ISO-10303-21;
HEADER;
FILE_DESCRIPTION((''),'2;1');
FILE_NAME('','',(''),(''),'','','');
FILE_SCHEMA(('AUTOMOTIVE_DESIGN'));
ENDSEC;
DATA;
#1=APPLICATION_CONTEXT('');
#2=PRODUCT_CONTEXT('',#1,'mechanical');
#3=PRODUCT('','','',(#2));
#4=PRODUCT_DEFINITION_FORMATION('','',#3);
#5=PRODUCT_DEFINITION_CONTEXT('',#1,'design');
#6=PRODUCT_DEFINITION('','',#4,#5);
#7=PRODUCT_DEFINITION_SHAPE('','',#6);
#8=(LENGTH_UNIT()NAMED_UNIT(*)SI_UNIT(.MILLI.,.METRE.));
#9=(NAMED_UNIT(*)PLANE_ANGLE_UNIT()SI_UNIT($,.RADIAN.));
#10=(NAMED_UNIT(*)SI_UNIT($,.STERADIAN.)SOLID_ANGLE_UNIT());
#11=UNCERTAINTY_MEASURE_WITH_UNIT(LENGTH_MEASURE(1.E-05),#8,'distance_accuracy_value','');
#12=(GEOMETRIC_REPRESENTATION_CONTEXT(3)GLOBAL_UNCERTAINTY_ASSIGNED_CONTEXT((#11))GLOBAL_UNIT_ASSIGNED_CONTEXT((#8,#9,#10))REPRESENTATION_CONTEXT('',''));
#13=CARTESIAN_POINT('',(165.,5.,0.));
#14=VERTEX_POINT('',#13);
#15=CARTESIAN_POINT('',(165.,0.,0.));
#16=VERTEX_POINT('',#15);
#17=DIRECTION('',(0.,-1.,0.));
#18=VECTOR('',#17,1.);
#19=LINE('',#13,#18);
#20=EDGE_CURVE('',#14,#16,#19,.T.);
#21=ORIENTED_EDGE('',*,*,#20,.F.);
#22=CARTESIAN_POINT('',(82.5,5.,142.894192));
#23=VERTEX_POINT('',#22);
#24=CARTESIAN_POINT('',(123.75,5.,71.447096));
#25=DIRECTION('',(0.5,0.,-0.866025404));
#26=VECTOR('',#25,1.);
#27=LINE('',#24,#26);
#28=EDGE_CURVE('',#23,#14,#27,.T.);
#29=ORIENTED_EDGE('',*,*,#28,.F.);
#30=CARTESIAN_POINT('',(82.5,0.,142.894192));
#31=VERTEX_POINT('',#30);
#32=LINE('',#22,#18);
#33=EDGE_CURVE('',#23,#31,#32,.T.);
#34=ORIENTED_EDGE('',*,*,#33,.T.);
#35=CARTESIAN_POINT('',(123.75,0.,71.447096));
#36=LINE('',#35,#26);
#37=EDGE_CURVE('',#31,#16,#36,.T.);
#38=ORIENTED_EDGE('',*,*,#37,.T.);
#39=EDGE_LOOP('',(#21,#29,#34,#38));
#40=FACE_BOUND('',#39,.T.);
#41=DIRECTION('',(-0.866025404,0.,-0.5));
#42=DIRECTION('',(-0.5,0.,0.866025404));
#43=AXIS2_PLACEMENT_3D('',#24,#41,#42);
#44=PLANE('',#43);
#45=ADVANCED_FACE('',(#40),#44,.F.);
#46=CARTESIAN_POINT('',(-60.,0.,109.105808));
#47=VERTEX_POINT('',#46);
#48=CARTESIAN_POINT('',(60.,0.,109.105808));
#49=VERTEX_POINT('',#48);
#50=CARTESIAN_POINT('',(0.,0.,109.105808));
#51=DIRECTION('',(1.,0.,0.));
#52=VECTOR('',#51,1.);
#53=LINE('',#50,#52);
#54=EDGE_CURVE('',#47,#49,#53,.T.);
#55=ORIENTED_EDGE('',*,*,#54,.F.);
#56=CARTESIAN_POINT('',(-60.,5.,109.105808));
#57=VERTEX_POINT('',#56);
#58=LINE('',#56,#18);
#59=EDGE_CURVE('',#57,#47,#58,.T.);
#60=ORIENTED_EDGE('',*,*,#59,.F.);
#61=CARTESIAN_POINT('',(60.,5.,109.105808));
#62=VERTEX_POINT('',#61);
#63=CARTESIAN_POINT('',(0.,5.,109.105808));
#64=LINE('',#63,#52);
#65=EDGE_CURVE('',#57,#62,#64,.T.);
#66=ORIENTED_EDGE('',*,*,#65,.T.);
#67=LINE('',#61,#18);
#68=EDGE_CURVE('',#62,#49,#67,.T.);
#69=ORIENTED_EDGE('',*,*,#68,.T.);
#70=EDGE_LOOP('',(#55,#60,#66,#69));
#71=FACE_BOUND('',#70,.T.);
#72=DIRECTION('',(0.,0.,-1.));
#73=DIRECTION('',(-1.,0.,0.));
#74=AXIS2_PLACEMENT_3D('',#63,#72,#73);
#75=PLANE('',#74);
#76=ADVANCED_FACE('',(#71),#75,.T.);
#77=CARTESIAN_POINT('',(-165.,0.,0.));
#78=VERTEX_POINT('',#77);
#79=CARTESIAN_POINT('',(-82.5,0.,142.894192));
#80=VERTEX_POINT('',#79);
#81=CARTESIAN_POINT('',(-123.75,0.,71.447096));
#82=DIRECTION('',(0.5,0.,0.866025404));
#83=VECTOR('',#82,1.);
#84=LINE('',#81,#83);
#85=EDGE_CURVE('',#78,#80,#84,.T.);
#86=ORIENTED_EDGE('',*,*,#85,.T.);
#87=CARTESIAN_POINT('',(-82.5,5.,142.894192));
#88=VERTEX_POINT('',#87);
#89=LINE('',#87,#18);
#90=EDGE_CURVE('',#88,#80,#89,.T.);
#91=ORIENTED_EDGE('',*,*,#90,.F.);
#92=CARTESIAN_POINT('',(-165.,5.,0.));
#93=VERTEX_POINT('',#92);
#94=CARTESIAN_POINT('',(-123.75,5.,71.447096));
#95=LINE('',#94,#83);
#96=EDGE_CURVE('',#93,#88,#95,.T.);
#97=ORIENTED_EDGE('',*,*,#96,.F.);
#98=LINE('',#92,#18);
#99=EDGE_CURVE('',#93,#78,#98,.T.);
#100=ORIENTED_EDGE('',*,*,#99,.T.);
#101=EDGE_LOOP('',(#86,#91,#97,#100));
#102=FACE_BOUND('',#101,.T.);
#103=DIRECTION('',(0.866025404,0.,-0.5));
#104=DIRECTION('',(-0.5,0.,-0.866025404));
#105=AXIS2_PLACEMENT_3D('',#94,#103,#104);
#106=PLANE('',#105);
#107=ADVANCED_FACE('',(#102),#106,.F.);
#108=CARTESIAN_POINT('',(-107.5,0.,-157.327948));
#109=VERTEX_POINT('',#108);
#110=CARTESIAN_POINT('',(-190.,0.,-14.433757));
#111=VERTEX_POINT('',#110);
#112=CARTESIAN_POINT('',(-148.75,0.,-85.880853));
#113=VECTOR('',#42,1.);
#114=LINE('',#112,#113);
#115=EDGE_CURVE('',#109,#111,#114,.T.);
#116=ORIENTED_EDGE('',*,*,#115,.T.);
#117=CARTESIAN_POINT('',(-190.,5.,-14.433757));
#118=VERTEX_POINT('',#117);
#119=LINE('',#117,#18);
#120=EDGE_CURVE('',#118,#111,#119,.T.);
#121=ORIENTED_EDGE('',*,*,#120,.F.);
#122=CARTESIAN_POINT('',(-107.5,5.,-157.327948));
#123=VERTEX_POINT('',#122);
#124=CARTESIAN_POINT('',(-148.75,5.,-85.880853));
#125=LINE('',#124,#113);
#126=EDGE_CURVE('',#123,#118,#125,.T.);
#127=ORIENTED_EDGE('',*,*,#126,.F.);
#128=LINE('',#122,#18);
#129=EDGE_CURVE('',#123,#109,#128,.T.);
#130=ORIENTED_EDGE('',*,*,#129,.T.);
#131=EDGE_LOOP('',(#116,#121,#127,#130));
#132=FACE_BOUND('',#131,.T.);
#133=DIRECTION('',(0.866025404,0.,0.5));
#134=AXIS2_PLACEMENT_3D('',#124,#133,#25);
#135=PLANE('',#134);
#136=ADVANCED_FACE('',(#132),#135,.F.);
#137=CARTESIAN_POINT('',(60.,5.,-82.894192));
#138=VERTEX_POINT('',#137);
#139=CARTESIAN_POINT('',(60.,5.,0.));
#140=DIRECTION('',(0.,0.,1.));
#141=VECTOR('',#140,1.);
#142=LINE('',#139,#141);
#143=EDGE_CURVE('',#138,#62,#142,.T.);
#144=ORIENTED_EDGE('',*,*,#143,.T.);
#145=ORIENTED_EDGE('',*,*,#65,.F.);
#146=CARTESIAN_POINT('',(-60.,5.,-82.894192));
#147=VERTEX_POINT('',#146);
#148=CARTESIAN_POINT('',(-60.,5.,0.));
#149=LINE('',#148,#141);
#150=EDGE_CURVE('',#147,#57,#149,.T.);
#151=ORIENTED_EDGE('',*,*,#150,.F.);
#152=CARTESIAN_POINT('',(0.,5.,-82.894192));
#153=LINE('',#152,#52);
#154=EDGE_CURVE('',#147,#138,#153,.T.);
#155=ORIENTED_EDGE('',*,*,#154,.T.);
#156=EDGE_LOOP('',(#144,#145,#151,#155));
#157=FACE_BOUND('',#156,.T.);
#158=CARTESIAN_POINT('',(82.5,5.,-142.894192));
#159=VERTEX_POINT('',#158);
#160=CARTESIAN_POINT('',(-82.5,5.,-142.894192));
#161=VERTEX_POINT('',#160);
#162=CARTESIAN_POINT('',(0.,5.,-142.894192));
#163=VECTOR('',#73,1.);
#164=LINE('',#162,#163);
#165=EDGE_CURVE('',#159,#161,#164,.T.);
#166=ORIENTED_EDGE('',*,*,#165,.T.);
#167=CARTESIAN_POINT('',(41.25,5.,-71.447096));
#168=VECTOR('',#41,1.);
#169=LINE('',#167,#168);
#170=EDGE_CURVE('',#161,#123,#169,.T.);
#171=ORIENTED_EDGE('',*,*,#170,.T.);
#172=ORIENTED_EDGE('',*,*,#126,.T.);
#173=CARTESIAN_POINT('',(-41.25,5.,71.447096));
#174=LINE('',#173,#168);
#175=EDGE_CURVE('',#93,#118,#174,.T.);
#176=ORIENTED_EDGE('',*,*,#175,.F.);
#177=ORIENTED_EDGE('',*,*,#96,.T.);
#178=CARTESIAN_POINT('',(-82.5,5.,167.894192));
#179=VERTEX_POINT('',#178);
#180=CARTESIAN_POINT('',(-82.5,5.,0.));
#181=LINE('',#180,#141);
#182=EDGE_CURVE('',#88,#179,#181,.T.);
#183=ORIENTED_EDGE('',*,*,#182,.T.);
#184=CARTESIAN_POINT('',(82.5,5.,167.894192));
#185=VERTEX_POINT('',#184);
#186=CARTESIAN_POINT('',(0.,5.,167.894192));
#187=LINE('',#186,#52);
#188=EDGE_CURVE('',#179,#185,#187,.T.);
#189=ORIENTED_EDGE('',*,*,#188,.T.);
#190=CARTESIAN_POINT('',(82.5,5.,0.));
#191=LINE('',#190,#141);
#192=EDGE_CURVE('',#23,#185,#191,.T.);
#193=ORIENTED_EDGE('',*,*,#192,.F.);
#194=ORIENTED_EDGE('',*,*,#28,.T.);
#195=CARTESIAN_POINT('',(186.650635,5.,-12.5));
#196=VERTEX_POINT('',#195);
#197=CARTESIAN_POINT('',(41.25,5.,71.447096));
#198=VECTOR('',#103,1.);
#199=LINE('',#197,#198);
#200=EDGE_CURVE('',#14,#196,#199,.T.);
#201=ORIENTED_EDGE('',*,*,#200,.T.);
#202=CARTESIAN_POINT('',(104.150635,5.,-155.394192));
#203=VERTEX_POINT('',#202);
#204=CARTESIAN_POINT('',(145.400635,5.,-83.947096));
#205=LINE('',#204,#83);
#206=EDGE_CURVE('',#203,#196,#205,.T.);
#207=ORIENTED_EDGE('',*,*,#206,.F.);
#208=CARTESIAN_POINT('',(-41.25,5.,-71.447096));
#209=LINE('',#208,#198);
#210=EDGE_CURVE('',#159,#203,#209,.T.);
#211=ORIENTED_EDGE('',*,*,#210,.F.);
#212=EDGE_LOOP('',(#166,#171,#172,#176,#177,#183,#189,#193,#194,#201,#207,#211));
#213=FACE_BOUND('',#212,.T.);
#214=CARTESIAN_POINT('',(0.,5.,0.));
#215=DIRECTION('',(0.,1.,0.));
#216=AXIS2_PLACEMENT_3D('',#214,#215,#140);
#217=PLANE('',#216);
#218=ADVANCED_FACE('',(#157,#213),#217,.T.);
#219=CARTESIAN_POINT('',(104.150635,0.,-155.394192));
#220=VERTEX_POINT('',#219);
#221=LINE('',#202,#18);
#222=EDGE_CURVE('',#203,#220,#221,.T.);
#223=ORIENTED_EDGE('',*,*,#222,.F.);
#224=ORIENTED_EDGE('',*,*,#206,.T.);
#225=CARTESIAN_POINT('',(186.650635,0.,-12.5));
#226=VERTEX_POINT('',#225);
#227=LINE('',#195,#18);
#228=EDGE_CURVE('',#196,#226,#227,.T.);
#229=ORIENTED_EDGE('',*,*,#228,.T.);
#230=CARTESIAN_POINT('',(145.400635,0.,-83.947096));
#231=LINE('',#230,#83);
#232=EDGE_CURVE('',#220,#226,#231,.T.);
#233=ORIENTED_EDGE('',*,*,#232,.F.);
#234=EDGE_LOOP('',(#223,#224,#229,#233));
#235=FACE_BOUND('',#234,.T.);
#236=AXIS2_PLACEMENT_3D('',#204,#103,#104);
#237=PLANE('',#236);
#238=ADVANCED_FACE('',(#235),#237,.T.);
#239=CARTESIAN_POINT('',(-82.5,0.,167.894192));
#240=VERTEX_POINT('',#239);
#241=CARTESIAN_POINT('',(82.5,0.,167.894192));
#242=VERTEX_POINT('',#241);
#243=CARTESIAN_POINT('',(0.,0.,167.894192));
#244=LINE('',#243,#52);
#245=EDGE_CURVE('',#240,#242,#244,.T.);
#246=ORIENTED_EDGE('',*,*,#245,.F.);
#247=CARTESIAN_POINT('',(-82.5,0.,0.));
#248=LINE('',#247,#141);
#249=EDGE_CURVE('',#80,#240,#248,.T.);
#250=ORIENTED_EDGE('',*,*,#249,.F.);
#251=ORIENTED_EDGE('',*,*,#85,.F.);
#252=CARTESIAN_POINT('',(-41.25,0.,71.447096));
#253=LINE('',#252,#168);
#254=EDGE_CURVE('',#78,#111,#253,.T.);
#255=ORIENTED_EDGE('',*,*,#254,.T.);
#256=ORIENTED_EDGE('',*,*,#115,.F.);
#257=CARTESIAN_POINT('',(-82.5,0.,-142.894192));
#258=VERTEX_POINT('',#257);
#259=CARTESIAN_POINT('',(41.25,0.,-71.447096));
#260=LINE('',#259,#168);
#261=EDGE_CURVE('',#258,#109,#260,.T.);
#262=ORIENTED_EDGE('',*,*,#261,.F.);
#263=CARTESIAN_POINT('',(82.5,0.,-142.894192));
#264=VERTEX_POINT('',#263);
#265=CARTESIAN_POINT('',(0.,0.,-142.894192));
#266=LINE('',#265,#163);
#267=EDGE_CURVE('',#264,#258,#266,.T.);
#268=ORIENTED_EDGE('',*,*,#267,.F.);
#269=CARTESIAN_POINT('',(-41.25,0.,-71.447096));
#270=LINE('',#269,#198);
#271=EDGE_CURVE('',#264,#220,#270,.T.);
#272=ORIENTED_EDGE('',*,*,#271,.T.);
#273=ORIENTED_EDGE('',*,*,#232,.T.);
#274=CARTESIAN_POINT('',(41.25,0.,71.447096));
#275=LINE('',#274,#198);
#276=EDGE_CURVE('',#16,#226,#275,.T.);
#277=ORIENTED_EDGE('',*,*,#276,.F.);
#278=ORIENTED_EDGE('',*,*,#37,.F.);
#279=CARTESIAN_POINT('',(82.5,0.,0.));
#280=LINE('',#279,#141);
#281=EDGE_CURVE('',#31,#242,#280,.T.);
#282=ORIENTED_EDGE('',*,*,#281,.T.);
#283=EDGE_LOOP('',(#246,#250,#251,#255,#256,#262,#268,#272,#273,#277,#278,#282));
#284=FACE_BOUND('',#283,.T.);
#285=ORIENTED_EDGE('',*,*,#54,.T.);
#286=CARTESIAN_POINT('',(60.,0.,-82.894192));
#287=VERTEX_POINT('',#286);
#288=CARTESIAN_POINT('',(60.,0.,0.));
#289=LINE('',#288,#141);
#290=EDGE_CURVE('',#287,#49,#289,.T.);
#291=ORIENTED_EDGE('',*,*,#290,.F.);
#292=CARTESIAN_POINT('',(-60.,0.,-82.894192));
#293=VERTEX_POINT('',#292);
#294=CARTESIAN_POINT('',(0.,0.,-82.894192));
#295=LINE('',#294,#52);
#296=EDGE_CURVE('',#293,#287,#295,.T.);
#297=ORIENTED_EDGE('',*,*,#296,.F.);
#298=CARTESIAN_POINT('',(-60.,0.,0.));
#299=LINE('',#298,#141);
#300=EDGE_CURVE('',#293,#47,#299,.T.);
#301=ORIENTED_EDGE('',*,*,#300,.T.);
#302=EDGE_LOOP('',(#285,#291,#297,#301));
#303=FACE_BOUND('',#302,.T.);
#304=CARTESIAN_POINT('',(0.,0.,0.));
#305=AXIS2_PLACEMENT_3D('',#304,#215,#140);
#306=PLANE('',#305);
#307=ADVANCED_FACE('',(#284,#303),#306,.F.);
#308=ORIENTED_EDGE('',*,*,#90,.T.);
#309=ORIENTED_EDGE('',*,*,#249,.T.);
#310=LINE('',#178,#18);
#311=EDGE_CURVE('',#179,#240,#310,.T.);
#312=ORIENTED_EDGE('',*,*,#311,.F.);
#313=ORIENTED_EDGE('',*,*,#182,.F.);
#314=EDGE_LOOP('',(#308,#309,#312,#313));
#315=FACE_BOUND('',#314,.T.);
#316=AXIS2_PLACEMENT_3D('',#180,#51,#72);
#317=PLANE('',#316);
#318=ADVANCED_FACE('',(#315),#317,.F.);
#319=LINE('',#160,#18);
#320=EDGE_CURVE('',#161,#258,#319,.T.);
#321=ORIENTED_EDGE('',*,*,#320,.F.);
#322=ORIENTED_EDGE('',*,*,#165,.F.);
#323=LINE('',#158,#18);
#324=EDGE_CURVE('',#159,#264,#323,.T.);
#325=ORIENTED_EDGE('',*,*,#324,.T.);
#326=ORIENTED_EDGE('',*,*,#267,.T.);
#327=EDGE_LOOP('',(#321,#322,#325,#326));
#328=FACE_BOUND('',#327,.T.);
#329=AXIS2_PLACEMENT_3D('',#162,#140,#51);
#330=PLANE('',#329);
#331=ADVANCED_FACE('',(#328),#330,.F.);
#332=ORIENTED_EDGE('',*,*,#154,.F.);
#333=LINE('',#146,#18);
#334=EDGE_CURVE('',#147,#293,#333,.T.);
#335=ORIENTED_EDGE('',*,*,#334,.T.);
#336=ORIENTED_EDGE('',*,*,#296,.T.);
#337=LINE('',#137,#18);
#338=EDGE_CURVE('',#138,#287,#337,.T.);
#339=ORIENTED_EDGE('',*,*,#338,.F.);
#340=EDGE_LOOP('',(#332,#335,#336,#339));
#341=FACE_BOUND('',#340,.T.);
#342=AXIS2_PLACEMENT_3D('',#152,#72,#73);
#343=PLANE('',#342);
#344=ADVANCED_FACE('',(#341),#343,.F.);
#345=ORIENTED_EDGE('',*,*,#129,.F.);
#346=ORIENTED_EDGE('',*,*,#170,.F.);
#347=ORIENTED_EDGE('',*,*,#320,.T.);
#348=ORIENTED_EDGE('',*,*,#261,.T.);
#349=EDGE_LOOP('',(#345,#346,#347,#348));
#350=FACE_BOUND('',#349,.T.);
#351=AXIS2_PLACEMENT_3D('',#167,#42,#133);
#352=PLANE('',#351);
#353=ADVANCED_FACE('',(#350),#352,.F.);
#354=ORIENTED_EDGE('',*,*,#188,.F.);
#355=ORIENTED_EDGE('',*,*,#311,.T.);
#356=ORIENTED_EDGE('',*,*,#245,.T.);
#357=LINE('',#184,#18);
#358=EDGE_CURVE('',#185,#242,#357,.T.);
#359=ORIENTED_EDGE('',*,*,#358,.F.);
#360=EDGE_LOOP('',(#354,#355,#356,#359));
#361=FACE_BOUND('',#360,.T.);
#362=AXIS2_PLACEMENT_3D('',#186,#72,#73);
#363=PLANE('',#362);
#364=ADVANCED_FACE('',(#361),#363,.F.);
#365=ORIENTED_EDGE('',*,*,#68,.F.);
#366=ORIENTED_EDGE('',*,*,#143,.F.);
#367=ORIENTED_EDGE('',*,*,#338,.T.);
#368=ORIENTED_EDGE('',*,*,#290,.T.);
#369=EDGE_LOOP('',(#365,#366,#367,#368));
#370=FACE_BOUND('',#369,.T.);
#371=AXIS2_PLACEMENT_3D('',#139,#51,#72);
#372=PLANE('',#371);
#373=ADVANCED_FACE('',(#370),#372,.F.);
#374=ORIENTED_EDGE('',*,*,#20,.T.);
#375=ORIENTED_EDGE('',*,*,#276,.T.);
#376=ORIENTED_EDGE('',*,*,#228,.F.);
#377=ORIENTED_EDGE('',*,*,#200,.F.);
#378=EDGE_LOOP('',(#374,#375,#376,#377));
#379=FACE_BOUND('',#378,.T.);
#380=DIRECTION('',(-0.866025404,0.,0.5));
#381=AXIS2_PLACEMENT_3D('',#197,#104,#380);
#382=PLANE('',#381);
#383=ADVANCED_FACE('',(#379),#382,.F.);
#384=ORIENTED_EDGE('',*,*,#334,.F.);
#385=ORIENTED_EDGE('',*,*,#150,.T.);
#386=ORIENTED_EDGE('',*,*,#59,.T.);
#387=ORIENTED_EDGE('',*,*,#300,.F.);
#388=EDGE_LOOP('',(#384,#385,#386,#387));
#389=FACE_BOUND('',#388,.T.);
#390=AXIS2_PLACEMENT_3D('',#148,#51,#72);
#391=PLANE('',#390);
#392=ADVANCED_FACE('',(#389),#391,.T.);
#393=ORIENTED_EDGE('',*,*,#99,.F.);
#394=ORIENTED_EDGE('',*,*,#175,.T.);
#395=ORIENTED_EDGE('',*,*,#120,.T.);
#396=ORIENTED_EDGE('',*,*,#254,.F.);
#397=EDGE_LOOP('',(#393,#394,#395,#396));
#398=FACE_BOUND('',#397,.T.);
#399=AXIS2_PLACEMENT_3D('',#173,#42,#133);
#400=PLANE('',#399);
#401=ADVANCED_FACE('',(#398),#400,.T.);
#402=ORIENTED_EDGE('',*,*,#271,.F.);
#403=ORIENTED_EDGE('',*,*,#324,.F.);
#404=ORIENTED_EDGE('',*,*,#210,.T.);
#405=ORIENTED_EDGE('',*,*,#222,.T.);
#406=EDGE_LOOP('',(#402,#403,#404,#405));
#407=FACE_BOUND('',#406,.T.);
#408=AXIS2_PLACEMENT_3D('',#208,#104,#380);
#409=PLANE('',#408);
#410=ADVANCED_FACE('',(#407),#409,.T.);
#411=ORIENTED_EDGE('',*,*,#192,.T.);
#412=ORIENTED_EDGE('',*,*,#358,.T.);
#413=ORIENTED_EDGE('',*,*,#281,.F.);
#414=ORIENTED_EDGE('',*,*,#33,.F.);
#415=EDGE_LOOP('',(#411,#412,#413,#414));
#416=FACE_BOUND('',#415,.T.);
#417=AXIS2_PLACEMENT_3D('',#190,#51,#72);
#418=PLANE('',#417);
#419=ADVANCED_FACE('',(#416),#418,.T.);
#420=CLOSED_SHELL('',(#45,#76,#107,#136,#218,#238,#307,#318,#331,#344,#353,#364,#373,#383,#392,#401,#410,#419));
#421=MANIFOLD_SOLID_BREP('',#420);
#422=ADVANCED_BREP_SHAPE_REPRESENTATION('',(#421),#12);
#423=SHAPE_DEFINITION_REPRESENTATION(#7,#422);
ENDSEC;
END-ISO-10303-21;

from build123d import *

# Parameters (mm, degrees)
SKETCH1_W           = 120
SKETCH1_H           = 192
SKETCH1_W_2         = 165
SKETCH1_H_2         = 25
BOSS_EXTRUDE2_DEPTH = 5


with BuildPart() as part:
    # Sketch1 → Boss-Extrude2 (new body)
    with BuildSketch(Plane(origin=(0, 0, 0), x_dir=(1, 0, 0), z_dir=(0, 1, 0))):
        Polygon((-165, 0), (-82.5, -142.894191624), (82.5, -142.894191624), (165, 0), (82.5, 142.894191624), (-82.5, 142.894191624), align=None)
        with Locations((0, -13.105808376)):
            Rectangle(SKETCH1_W, SKETCH1_H, mode=Mode.SUBTRACT)
        Polygon((-82.5, 142.894191624), (-107.5, 157.327948354), (-190, 14.43375673), (-165, 0), align=None)
        Polygon((104.150635095, 155.394191624), (186.650635095, 12.5), (165, 0), (82.5, 142.894191624), align=None)
        with Locations((0, -155.394191624)):
            Rectangle(SKETCH1_W_2, SKETCH1_H_2)
    extrude(amount=BOSS_EXTRUDE2_DEPTH)


solid = part.part
